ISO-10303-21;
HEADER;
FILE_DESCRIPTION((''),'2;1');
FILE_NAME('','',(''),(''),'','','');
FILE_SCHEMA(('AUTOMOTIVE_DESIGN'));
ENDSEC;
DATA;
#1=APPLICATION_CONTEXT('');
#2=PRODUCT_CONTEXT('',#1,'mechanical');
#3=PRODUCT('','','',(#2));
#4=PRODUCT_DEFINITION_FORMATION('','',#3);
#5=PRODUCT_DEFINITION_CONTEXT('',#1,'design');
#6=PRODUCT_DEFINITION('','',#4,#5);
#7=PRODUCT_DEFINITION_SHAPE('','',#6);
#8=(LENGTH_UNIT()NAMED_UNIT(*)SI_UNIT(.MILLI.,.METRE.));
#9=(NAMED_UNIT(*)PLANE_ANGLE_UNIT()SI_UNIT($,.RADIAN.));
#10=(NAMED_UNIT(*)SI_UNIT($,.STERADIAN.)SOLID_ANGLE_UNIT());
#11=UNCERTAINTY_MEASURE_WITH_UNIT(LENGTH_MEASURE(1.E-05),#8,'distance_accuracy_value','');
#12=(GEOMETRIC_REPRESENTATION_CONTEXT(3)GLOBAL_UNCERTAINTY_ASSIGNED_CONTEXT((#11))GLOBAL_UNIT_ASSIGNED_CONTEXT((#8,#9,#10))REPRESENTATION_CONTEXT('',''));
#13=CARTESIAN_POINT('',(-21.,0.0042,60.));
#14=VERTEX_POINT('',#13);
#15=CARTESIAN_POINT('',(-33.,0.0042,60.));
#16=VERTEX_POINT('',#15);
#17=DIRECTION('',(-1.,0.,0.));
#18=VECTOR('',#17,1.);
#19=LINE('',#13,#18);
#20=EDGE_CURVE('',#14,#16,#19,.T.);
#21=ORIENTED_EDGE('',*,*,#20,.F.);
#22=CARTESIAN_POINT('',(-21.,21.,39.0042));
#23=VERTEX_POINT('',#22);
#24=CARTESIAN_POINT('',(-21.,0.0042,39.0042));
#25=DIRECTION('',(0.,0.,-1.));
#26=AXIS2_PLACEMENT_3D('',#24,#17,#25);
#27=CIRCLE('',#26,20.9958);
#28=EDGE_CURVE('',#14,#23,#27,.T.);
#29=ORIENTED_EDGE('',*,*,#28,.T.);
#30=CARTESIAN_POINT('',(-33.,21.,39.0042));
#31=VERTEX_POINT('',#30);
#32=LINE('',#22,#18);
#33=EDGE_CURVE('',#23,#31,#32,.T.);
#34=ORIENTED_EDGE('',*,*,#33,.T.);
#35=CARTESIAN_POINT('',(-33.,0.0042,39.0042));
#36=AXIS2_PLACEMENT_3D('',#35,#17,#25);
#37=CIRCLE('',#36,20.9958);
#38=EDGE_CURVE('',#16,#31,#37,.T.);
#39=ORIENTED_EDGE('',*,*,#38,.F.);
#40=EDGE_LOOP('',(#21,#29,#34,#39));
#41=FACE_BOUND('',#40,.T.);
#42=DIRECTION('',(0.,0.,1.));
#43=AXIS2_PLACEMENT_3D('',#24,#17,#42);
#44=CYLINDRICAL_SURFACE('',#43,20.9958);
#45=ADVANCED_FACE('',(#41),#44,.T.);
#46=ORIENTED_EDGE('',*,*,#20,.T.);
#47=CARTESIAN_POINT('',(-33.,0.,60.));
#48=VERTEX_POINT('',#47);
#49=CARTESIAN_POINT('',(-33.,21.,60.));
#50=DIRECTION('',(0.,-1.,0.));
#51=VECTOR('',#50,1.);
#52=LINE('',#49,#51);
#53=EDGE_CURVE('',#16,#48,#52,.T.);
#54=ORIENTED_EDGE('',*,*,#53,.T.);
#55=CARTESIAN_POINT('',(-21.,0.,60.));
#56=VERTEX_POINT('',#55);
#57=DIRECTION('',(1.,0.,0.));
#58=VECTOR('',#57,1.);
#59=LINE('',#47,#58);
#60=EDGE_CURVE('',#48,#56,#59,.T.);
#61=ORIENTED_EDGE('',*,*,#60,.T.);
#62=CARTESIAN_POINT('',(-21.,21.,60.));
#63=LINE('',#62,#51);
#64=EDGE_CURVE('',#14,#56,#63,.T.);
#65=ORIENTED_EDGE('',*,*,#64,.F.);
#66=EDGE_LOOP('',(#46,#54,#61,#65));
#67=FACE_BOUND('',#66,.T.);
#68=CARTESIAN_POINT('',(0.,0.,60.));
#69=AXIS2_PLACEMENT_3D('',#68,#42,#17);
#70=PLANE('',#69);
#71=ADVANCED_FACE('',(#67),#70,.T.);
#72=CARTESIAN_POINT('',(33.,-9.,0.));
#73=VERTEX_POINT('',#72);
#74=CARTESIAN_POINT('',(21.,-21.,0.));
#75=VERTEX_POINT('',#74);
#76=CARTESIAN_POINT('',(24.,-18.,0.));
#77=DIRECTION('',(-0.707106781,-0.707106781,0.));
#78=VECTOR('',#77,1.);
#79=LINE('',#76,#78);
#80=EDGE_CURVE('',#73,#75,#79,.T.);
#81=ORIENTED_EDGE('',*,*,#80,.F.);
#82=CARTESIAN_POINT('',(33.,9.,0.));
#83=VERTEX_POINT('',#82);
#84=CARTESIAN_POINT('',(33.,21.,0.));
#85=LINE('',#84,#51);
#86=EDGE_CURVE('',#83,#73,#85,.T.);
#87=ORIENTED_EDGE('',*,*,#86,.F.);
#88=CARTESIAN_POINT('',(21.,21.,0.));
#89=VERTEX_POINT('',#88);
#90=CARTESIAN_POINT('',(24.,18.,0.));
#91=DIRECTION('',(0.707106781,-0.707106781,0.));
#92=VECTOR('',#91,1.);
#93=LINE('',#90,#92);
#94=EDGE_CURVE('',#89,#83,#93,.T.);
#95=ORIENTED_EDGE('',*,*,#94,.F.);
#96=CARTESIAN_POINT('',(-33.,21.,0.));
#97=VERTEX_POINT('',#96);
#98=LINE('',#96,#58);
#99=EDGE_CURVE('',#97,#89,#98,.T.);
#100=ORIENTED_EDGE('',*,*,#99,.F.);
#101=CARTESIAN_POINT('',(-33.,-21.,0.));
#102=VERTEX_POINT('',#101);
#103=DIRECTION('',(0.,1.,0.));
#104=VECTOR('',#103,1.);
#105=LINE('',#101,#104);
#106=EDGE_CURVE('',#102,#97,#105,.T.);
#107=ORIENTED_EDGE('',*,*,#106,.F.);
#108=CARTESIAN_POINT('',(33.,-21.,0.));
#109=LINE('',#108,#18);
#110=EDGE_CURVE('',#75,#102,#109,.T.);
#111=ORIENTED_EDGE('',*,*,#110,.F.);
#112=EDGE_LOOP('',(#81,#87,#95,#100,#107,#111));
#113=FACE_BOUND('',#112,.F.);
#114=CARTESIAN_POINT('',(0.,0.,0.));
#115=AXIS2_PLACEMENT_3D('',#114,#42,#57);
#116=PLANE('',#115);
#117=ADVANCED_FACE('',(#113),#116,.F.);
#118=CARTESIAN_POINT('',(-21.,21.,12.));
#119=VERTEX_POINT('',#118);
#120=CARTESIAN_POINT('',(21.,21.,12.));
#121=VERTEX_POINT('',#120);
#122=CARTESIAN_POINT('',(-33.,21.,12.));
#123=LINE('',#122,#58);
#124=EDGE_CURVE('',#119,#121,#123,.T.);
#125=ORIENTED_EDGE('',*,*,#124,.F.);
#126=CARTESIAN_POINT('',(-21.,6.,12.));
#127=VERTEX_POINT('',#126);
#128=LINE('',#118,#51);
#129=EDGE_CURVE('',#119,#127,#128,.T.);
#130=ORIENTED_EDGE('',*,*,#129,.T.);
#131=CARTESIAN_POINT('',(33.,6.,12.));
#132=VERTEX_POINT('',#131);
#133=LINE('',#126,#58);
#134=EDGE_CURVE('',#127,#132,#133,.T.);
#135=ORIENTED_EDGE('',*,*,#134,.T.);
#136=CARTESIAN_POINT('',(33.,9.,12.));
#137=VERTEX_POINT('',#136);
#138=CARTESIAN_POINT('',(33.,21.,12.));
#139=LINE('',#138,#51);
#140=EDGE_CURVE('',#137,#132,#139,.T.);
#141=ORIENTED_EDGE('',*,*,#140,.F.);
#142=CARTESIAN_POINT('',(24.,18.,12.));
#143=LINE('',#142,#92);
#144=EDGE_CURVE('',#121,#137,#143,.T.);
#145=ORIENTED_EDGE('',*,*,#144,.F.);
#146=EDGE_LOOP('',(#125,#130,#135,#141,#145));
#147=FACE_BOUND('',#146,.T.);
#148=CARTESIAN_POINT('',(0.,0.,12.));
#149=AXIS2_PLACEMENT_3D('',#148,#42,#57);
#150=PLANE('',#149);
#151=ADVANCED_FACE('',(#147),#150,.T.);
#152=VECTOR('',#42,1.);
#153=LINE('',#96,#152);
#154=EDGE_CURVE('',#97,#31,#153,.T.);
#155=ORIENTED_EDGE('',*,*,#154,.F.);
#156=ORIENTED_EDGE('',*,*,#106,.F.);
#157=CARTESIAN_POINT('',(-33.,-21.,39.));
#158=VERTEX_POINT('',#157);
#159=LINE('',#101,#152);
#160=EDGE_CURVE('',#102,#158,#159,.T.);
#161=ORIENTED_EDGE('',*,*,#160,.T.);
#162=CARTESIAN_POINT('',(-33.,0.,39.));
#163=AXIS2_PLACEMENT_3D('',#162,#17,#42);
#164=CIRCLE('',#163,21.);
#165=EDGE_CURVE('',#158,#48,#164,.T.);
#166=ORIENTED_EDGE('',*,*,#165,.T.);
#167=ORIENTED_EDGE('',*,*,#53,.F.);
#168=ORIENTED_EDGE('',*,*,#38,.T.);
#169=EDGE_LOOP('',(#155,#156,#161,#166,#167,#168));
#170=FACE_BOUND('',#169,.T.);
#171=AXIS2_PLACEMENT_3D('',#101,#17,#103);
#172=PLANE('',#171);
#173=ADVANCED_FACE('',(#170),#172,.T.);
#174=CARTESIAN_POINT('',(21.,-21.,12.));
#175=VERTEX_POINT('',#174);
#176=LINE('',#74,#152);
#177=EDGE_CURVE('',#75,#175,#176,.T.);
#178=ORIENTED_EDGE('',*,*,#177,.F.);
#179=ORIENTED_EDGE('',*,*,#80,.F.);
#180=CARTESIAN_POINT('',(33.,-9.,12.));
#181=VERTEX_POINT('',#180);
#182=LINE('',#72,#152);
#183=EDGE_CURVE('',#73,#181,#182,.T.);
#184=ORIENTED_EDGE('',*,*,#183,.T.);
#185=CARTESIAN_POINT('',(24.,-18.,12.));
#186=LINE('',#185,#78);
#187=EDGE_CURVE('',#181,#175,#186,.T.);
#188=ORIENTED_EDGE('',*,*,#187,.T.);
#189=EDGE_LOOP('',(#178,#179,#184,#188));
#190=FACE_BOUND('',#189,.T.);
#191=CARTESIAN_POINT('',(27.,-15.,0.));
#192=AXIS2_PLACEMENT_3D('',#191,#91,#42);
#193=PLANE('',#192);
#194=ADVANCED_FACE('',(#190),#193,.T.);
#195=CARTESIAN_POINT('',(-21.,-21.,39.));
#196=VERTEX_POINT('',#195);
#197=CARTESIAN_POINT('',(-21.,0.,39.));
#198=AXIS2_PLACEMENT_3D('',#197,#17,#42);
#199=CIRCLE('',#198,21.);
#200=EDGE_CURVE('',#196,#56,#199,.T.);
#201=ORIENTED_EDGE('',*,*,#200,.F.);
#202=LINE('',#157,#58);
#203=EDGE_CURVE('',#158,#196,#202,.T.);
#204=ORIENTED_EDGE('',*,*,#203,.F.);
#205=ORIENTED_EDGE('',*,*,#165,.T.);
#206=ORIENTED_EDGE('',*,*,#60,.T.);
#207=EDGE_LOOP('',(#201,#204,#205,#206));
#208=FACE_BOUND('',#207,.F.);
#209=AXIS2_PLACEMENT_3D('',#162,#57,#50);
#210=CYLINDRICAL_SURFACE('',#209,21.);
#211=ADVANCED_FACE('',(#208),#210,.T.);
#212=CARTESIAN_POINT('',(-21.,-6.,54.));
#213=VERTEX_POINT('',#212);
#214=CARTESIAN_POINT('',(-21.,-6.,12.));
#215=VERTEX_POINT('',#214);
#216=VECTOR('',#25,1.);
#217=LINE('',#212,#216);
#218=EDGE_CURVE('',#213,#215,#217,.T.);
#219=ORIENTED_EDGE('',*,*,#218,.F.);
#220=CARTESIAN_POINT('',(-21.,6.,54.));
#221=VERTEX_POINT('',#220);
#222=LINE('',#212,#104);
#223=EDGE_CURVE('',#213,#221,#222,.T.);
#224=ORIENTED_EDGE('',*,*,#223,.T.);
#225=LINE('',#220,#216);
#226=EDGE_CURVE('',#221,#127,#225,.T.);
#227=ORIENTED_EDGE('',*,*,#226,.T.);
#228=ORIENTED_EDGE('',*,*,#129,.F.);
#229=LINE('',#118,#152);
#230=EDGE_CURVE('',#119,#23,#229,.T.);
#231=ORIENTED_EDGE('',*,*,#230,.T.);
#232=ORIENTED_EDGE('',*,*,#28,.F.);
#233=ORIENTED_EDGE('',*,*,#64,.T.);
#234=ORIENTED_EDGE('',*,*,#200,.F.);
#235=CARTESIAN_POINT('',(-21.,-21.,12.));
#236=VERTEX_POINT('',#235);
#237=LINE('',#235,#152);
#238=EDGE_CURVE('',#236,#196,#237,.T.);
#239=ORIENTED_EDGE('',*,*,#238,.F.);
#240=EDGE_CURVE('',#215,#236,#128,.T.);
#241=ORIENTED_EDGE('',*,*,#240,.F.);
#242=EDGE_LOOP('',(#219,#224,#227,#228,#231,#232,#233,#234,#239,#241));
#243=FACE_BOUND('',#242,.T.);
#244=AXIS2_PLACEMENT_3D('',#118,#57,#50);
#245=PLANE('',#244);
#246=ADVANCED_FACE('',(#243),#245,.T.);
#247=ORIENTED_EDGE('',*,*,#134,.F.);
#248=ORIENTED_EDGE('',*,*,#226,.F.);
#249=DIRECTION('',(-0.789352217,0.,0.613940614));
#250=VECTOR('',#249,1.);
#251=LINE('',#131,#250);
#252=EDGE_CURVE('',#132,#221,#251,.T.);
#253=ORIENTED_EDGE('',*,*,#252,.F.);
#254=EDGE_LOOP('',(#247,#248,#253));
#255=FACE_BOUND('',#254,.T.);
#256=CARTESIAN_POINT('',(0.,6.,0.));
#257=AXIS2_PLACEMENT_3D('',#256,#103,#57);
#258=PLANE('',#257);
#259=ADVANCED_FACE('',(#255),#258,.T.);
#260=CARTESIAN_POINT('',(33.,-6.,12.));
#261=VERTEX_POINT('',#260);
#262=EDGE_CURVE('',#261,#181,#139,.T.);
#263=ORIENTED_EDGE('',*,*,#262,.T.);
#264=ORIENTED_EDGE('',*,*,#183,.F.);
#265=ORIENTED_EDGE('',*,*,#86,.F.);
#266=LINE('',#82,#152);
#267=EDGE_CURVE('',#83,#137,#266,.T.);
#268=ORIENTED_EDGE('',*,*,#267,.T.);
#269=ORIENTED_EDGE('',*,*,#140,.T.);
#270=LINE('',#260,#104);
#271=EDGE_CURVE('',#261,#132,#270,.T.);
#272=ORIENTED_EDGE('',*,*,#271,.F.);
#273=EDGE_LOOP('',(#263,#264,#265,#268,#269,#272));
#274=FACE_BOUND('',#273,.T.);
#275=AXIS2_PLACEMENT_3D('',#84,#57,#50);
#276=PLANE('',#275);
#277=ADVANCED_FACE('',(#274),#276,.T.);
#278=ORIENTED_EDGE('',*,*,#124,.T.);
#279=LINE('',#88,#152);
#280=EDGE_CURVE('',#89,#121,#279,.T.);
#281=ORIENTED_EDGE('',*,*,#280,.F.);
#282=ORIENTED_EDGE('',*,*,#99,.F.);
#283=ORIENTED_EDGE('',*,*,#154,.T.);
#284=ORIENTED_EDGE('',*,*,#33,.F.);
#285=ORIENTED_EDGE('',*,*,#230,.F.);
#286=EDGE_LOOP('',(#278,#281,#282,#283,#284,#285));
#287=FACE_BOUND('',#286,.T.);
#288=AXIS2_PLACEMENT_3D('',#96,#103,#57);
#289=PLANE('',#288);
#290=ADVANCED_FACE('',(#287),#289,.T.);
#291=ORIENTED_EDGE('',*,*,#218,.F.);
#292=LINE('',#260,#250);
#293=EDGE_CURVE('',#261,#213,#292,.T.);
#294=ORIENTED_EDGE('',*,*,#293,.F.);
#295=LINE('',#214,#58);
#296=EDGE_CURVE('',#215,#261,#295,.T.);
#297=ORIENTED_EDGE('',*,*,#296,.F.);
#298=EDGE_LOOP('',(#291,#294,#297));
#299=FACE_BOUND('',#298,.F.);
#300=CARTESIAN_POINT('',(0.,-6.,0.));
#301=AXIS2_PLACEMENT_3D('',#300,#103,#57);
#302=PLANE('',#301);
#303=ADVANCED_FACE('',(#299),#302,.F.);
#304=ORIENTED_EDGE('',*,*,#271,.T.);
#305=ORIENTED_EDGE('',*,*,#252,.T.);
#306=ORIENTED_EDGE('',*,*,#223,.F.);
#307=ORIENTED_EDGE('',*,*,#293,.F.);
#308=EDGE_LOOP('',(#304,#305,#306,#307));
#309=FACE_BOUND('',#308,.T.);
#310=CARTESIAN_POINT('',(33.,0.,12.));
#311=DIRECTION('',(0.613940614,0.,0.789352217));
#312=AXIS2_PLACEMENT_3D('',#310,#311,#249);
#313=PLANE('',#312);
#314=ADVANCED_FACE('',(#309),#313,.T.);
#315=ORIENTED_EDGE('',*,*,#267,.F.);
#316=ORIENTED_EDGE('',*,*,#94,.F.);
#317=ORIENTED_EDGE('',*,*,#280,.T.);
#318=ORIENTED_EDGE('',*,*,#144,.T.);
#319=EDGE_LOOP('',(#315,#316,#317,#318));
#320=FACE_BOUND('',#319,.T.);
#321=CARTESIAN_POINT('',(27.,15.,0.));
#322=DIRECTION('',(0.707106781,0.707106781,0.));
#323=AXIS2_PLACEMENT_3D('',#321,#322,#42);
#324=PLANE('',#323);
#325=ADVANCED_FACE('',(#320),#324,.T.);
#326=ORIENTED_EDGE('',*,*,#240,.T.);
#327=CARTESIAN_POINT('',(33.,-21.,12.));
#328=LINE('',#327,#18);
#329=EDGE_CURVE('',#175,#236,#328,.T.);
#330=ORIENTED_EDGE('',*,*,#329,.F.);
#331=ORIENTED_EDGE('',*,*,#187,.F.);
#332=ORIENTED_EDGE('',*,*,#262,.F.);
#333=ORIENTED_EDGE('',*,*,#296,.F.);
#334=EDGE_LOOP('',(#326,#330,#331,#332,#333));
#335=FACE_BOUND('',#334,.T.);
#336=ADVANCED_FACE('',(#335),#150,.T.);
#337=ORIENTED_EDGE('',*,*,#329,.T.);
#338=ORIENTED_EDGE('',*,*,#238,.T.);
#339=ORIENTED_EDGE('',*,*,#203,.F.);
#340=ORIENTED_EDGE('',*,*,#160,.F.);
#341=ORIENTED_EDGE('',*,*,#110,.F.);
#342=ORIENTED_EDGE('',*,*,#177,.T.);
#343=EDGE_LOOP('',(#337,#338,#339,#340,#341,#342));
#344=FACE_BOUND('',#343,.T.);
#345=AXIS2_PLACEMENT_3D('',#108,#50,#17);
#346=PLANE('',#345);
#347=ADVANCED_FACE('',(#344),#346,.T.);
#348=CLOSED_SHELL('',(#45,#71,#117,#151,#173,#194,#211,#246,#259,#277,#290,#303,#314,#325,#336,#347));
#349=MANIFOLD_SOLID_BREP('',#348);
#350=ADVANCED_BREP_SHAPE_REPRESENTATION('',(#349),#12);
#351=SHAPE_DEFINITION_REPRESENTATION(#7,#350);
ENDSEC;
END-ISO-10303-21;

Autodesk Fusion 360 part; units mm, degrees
sketch "the horizontal part sketch" plane through (0, 0, 0) normal (0, 0, 1) x (1, 0, 0)
  line L0 (-33, 21) -> (33, 21)
  line L1 (33, 21) -> (33, -21)
  line L2 (33, -21) -> (-33, -21)
  line L3 (-33, -21) -> (-33, 21)
  line L4 (-33, 21) -> (33, -21) construction
  line L5 (33, 21) -> (-33, -21) construction
  dimension "d1" = 66
  dimension "d2" = 42
extrude "Extrude1" add sketch "the horizontal part sketch" along normal blind 12 makes body 1
sketch "the vertical part sketch" plane through (0, 0, 12) normal (0, 0, 1) x (-1, 0, 0)
  line L0 (33, 21) -> (-33, 21)
  line L1 (-33, 21) -> (-33, -21)
  line L2 (-33, -21) -> (33, -21)
  line L3 (33, -21) -> (33, 21)
  line L4 (33, -21) -> (21, -21)
  line L5 (21, -21) -> (21, 21)
  line L6 (21, 21) -> (33, 21)
  line L7 (33, 21) -> (33, -21)
  dimension "d5" = 12
extrude "Extrude2" add sketch "the vertical part sketch" along normal blind 48 contours L0 L2 L3 L4 L5 L6 L7 bodies 1
fillet "Fillet1" radius 21 1 edges at (-27, -21, 60) on bodies 1
fillet "Fillet2" radius 21 1 edges at (-27, 21, 60) on bodies 1
chamfer "Chamfer1" distance 12 angle 45 1 edges at (33, 21, 6) on bodies 1
chamfer "Chamfer2" distance 12 angle 45 1 edges at (33, -21, 6) on bodies 1
sketch "triangle sketch" plane through (0, 0, 0) normal (0, 1, 0) x (1, 0, 0)
  line L0 (-21, -54) -> (-21, -12)
  line L1 (-21, -12) -> (33, -12)
  line L2 (33, -12) -> (-21, -54)
  dimension "d14" = 42
  dimension "d15" = 54
extrude "Extrude3" add sketch "triangle sketch" along normal mid plane 12 bodies 1
copy_body "Body->Comp1" bodies 1 removing the originals makes body 2 in component "object A1"
component "object A1" placed x (1, 0, 0) y (0, 1, 0) z (0, 0, 1) at (0, 0, 0)
equation "d6 = 60 mm - 12 mm"
equation "d15 = 66 mm - 12 mm"
